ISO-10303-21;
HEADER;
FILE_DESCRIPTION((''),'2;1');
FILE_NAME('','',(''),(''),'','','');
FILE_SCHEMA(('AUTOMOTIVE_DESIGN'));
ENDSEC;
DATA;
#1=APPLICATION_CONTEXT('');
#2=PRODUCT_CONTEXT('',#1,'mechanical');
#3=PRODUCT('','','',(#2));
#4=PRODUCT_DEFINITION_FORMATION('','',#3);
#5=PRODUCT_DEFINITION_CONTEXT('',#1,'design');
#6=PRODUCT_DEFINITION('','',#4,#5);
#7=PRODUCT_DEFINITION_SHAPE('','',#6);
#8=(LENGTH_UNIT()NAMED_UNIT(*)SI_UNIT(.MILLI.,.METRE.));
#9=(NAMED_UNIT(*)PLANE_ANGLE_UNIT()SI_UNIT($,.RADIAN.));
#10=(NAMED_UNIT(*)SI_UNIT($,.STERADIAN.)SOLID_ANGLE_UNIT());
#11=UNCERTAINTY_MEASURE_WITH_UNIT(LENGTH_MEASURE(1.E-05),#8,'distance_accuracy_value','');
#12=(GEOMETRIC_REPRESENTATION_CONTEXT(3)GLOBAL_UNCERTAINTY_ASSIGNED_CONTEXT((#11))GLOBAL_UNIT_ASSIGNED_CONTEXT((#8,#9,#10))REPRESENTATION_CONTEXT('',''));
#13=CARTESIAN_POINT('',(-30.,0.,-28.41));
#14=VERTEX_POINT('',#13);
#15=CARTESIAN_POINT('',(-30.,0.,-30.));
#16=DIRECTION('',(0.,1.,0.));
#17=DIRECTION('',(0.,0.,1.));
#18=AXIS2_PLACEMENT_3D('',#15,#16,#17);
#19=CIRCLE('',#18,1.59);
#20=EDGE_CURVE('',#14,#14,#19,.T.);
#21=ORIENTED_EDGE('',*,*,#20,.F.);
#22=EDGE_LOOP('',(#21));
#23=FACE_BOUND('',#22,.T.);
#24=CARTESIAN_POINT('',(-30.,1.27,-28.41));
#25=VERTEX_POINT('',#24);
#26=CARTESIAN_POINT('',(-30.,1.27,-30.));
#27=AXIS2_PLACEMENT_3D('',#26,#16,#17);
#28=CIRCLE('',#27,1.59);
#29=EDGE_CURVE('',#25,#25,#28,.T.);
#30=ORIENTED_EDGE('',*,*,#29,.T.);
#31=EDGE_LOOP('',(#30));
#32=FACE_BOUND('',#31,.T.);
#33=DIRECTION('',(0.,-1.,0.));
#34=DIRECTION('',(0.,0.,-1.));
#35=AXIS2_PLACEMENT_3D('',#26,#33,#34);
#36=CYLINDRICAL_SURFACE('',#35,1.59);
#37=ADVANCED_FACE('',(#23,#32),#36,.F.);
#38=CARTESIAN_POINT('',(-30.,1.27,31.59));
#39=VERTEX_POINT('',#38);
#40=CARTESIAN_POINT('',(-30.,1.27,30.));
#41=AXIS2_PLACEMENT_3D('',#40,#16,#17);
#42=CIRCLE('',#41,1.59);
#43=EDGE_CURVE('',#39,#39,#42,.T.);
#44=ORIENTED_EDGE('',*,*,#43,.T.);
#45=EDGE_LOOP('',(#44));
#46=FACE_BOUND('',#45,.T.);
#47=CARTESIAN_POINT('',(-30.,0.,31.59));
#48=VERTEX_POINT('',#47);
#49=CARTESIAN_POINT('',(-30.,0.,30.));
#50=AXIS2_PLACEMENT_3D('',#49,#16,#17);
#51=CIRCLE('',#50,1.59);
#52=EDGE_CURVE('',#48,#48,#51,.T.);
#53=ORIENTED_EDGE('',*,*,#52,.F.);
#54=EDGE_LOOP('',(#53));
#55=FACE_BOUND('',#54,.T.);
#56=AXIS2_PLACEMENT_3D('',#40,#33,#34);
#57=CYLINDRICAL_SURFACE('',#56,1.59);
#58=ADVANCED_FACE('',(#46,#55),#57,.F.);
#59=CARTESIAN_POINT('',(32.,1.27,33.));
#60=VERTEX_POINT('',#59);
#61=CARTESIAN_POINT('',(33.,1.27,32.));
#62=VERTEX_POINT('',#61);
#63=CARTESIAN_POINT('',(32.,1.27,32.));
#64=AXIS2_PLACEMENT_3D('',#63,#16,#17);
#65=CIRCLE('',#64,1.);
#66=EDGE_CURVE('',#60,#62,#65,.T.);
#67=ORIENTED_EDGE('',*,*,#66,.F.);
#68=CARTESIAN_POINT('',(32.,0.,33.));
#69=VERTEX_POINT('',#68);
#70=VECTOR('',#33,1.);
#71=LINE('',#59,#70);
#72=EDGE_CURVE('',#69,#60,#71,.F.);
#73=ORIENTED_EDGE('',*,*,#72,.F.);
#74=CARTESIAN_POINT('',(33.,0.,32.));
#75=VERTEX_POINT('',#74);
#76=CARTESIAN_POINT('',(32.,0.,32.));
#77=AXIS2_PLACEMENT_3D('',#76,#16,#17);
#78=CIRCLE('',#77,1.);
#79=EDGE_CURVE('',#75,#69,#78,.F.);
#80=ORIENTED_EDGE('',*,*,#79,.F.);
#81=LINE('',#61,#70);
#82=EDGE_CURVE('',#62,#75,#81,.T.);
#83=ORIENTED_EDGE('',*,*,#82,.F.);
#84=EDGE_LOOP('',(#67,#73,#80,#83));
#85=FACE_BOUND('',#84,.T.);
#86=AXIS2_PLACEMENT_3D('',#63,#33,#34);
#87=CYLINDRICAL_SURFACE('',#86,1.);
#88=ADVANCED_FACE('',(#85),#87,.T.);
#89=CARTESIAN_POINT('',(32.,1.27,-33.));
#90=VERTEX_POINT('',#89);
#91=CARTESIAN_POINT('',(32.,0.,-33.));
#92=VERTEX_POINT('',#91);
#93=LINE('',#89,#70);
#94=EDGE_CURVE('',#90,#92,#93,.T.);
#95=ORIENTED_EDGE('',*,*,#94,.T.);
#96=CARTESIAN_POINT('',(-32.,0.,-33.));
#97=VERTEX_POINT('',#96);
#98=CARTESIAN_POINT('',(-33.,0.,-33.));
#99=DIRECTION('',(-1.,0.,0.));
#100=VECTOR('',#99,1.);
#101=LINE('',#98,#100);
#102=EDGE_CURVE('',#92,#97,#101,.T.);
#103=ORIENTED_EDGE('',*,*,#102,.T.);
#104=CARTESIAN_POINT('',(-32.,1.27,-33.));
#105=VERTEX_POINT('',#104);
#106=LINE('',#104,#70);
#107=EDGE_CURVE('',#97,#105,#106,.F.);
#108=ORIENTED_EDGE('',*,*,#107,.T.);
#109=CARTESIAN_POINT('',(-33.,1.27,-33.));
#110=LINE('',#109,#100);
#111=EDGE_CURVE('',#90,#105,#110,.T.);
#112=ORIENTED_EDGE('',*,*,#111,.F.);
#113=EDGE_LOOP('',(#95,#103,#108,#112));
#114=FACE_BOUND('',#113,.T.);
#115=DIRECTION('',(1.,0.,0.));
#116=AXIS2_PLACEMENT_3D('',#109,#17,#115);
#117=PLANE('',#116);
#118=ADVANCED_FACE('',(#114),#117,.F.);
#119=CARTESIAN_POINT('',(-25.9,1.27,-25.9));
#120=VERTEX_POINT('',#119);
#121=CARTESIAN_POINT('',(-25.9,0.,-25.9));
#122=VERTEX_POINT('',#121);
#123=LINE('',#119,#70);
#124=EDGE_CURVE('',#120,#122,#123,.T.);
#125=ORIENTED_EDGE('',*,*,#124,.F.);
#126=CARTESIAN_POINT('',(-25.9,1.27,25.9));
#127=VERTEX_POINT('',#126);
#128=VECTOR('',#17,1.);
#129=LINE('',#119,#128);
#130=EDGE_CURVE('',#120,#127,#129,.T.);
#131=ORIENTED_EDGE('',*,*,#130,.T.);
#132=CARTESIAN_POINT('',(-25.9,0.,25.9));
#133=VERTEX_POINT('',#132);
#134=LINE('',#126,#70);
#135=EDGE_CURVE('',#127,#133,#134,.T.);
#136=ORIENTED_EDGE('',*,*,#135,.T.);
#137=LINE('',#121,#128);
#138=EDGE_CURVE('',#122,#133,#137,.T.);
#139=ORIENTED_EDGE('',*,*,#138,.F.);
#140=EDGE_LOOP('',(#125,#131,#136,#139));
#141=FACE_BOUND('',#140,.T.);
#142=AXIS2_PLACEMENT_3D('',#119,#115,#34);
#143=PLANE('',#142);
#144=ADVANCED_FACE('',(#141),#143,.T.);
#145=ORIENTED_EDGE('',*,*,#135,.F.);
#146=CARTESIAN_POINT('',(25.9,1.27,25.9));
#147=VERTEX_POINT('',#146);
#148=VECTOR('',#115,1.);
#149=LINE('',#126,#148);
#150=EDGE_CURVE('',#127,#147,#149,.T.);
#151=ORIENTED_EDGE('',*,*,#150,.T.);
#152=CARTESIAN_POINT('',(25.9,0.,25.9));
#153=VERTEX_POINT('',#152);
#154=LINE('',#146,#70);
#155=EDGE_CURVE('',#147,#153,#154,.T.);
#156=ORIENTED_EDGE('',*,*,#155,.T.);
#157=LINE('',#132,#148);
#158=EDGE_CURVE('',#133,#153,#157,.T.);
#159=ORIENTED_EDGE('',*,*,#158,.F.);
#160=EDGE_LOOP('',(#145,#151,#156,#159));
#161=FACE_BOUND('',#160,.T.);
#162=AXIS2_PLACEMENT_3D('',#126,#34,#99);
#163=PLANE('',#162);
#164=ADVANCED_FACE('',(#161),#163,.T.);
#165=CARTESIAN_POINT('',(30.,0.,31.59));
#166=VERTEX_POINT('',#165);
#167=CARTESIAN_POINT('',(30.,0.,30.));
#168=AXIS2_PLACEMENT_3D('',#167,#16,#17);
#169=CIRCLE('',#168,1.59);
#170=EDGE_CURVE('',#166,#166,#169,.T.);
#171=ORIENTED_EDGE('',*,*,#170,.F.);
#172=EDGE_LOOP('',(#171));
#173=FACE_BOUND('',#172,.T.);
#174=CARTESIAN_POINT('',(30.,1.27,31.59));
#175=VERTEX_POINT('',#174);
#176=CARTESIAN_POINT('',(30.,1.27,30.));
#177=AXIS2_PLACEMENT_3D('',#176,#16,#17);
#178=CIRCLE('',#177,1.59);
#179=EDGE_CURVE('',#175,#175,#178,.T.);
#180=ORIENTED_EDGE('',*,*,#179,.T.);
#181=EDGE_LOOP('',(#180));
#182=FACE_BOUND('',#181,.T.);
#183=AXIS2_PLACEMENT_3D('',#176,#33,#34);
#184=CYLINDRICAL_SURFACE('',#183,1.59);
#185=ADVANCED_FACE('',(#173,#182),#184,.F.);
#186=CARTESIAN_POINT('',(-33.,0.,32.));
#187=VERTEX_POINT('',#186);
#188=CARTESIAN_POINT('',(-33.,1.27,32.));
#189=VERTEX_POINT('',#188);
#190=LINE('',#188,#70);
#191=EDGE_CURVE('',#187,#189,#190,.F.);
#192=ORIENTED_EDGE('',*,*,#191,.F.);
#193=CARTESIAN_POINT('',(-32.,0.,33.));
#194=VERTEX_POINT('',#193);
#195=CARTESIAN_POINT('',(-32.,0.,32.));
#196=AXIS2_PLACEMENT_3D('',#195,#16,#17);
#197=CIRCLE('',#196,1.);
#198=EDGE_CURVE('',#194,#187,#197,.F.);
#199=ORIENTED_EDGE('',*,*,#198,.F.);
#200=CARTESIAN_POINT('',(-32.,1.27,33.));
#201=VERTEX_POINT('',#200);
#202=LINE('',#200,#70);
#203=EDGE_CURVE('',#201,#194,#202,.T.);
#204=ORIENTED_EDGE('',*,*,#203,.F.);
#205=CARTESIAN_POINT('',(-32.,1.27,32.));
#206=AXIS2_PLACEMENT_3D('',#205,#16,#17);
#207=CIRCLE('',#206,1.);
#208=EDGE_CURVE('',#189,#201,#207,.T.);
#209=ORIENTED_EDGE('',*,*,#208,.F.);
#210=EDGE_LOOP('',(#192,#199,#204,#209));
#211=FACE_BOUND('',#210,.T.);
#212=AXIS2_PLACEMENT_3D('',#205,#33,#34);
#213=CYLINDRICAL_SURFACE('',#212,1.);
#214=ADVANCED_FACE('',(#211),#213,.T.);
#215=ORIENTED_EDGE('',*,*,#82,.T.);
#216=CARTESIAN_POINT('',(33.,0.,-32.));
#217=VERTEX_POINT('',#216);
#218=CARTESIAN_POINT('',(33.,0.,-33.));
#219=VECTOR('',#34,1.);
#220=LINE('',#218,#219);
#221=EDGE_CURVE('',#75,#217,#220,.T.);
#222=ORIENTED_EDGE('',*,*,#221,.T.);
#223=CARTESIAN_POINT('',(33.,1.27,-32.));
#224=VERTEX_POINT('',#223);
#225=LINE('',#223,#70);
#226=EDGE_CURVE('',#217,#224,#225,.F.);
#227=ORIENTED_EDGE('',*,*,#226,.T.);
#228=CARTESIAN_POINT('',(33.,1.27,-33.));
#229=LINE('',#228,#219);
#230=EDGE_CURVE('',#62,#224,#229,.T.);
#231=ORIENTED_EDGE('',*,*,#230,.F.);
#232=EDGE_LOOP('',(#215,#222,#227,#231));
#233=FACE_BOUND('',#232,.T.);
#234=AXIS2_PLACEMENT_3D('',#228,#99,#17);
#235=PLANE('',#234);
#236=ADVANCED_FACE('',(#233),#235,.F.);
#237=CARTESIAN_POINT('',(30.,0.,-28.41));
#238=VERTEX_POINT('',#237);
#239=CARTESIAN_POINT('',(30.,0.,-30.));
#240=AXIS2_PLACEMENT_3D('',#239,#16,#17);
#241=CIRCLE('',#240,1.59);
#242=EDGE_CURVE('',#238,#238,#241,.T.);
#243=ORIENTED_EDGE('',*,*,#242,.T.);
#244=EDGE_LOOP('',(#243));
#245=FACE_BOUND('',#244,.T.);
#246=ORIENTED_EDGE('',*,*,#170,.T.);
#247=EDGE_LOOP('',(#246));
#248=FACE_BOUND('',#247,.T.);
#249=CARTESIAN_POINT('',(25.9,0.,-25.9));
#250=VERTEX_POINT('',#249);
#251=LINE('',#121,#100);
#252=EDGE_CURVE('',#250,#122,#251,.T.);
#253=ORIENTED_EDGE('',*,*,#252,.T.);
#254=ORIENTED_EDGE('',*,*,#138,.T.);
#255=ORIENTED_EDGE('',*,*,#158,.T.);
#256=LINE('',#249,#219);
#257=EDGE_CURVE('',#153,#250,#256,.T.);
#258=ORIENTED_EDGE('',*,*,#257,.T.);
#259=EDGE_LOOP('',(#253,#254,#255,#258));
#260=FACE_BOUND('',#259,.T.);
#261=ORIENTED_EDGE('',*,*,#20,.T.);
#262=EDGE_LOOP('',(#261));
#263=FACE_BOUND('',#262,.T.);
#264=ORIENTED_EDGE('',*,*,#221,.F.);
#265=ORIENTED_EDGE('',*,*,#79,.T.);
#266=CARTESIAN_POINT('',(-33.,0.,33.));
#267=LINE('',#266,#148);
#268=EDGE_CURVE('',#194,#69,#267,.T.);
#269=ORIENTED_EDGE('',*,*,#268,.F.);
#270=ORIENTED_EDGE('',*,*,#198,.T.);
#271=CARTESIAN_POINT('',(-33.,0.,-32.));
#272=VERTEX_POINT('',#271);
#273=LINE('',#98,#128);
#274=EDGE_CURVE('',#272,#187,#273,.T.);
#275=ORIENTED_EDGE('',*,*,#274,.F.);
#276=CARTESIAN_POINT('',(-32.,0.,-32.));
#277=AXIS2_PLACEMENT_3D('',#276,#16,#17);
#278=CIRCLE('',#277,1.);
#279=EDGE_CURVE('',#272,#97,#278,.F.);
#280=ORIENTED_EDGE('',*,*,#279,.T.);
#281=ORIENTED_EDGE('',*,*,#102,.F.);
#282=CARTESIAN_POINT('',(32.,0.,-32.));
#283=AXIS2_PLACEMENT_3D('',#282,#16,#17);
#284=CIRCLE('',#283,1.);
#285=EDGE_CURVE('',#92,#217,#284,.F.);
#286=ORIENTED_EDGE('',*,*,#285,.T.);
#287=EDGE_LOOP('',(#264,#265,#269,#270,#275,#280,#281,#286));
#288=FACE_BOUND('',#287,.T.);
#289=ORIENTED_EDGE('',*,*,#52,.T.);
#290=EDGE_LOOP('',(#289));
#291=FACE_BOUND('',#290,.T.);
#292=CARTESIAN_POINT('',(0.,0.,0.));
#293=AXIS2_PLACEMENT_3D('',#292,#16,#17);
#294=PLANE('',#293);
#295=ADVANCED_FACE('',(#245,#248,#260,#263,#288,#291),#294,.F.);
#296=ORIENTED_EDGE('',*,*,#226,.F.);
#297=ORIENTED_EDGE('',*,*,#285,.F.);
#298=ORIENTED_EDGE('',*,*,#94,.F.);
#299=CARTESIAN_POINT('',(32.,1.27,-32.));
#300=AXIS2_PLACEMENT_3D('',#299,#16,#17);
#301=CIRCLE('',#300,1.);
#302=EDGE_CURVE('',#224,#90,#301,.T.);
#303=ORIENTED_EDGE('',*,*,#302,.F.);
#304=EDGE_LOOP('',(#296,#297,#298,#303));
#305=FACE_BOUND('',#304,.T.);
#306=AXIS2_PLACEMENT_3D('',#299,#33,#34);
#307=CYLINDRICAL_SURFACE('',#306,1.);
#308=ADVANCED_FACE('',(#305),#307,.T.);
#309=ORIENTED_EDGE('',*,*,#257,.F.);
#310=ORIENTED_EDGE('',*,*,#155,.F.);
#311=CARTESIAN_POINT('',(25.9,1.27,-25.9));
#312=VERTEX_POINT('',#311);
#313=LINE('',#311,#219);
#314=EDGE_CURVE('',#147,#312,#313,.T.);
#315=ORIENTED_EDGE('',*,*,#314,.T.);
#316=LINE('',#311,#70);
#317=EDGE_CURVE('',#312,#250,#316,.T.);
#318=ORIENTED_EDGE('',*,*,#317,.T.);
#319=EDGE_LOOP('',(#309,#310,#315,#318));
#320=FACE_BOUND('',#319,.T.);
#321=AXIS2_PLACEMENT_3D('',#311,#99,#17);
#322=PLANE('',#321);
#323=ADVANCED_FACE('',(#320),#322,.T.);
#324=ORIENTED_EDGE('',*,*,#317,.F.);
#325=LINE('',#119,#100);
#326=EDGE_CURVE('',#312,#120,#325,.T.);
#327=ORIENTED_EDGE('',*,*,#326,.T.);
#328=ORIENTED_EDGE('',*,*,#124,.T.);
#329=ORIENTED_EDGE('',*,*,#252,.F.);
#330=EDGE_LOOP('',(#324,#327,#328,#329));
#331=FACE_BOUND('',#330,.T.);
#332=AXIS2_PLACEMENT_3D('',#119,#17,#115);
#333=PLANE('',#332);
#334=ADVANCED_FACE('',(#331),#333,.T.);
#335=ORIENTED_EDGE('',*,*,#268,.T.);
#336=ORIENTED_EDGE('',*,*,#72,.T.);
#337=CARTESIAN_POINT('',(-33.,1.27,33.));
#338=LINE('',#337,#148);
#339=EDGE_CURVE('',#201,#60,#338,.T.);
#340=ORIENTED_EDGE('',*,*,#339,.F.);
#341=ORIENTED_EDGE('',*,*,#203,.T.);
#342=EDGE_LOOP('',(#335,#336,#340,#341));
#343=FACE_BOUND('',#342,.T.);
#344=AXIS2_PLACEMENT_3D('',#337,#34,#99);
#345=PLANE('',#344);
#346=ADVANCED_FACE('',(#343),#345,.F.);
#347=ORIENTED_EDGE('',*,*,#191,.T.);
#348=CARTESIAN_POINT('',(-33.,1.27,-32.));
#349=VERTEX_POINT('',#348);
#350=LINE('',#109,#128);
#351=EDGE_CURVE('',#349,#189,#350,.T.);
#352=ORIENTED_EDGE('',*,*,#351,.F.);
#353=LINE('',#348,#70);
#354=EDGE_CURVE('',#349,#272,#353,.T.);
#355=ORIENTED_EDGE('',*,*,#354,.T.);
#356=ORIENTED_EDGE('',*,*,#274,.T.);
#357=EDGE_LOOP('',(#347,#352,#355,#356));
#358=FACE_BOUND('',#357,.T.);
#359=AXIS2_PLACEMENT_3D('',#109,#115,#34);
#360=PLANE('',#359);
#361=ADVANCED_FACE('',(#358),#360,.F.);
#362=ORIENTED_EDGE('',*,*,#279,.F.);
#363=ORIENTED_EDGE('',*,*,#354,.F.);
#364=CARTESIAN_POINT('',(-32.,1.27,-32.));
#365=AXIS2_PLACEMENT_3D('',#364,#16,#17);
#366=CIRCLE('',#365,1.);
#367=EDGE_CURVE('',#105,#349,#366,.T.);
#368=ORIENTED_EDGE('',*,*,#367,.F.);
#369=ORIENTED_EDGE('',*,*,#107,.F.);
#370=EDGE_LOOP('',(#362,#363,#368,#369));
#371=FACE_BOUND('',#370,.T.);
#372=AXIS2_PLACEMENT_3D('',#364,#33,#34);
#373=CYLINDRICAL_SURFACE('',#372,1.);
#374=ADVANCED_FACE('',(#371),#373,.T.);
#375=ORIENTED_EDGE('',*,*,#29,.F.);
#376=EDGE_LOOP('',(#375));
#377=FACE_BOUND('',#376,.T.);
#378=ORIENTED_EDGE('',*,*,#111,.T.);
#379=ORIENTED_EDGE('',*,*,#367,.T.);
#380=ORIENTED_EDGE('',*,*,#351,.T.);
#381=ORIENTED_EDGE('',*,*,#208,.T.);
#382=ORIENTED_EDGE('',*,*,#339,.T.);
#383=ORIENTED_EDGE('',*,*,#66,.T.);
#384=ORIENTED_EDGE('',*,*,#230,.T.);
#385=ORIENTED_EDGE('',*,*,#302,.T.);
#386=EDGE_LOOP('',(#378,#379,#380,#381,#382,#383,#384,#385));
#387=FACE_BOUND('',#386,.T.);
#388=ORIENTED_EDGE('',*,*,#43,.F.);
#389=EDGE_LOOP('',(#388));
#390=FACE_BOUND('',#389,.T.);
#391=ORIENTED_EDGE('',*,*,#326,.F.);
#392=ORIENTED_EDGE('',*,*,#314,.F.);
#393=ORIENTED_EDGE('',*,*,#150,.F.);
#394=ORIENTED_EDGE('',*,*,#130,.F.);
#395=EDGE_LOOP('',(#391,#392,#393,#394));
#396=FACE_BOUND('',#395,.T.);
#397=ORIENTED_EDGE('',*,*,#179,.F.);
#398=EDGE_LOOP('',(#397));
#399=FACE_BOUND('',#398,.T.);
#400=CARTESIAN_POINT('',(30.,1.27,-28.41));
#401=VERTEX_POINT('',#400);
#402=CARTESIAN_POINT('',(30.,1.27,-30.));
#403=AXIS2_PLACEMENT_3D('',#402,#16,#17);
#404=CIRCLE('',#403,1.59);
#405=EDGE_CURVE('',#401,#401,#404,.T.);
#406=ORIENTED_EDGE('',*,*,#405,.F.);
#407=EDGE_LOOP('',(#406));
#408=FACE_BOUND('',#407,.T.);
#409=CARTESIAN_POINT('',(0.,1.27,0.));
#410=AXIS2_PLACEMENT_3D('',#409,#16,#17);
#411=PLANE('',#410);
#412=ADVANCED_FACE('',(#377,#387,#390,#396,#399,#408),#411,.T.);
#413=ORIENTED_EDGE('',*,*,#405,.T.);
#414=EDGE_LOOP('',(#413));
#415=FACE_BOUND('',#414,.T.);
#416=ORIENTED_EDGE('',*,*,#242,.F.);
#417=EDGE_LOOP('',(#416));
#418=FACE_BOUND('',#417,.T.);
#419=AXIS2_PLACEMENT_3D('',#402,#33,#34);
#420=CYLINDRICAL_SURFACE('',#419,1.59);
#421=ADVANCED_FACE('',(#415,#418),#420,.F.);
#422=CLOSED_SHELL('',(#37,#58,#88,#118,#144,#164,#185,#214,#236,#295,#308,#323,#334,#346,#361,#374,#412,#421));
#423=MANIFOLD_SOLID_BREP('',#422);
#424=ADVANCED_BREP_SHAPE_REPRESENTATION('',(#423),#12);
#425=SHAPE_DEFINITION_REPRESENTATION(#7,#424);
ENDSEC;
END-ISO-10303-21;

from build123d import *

# Parameters (mm, degrees)
SKETCH1_W           = 66
SKETCH1_H           = 66
SKETCH1_R           = 1.59
SKETCH1_W_2         = 51.8
SKETCH1_H_2         = 51.8
BOSS_EXTRUDE1_DEPTH = 1.27
FILLET1_R           = 1


with BuildPart() as part:
    # Sketch1 → Boss-Extrude1 (new body)
    with BuildSketch(Plane(origin=(0, 0, 0), x_dir=(1, 0, 0), z_dir=(0, 1, 0))):
        Rectangle(SKETCH1_W, SKETCH1_H)
        with Locations(Location((-30, 30, 0), (0, 0, 270))):
            Circle(SKETCH1_R, mode=Mode.SUBTRACT)
        with Locations(Location((30, 30, 0), (0, 0, 270))):
            Circle(SKETCH1_R, mode=Mode.SUBTRACT)
        with Locations(Location((30, -30, 0), (0, 0, 270))):
            Circle(SKETCH1_R, mode=Mode.SUBTRACT)
        with Locations(Location((-30, -30, 0), (0, 0, 270))):
            Circle(SKETCH1_R, mode=Mode.SUBTRACT)
        Rectangle(SKETCH1_W_2, SKETCH1_H_2, mode=Mode.SUBTRACT)
    extrude(amount=BOSS_EXTRUDE1_DEPTH)

    # Fillet1
    fillet1_edges = [part.edges().sort_by_distance(p)[0] for p in [
        (33, 0.635, 33),
        (-33, 0.635, 33),
        (-33, 0.635, -33),
        (33, 0.635, -33),
    ]]
    fillet(fillet1_edges, radius=FILLET1_R)


solid = part.part
